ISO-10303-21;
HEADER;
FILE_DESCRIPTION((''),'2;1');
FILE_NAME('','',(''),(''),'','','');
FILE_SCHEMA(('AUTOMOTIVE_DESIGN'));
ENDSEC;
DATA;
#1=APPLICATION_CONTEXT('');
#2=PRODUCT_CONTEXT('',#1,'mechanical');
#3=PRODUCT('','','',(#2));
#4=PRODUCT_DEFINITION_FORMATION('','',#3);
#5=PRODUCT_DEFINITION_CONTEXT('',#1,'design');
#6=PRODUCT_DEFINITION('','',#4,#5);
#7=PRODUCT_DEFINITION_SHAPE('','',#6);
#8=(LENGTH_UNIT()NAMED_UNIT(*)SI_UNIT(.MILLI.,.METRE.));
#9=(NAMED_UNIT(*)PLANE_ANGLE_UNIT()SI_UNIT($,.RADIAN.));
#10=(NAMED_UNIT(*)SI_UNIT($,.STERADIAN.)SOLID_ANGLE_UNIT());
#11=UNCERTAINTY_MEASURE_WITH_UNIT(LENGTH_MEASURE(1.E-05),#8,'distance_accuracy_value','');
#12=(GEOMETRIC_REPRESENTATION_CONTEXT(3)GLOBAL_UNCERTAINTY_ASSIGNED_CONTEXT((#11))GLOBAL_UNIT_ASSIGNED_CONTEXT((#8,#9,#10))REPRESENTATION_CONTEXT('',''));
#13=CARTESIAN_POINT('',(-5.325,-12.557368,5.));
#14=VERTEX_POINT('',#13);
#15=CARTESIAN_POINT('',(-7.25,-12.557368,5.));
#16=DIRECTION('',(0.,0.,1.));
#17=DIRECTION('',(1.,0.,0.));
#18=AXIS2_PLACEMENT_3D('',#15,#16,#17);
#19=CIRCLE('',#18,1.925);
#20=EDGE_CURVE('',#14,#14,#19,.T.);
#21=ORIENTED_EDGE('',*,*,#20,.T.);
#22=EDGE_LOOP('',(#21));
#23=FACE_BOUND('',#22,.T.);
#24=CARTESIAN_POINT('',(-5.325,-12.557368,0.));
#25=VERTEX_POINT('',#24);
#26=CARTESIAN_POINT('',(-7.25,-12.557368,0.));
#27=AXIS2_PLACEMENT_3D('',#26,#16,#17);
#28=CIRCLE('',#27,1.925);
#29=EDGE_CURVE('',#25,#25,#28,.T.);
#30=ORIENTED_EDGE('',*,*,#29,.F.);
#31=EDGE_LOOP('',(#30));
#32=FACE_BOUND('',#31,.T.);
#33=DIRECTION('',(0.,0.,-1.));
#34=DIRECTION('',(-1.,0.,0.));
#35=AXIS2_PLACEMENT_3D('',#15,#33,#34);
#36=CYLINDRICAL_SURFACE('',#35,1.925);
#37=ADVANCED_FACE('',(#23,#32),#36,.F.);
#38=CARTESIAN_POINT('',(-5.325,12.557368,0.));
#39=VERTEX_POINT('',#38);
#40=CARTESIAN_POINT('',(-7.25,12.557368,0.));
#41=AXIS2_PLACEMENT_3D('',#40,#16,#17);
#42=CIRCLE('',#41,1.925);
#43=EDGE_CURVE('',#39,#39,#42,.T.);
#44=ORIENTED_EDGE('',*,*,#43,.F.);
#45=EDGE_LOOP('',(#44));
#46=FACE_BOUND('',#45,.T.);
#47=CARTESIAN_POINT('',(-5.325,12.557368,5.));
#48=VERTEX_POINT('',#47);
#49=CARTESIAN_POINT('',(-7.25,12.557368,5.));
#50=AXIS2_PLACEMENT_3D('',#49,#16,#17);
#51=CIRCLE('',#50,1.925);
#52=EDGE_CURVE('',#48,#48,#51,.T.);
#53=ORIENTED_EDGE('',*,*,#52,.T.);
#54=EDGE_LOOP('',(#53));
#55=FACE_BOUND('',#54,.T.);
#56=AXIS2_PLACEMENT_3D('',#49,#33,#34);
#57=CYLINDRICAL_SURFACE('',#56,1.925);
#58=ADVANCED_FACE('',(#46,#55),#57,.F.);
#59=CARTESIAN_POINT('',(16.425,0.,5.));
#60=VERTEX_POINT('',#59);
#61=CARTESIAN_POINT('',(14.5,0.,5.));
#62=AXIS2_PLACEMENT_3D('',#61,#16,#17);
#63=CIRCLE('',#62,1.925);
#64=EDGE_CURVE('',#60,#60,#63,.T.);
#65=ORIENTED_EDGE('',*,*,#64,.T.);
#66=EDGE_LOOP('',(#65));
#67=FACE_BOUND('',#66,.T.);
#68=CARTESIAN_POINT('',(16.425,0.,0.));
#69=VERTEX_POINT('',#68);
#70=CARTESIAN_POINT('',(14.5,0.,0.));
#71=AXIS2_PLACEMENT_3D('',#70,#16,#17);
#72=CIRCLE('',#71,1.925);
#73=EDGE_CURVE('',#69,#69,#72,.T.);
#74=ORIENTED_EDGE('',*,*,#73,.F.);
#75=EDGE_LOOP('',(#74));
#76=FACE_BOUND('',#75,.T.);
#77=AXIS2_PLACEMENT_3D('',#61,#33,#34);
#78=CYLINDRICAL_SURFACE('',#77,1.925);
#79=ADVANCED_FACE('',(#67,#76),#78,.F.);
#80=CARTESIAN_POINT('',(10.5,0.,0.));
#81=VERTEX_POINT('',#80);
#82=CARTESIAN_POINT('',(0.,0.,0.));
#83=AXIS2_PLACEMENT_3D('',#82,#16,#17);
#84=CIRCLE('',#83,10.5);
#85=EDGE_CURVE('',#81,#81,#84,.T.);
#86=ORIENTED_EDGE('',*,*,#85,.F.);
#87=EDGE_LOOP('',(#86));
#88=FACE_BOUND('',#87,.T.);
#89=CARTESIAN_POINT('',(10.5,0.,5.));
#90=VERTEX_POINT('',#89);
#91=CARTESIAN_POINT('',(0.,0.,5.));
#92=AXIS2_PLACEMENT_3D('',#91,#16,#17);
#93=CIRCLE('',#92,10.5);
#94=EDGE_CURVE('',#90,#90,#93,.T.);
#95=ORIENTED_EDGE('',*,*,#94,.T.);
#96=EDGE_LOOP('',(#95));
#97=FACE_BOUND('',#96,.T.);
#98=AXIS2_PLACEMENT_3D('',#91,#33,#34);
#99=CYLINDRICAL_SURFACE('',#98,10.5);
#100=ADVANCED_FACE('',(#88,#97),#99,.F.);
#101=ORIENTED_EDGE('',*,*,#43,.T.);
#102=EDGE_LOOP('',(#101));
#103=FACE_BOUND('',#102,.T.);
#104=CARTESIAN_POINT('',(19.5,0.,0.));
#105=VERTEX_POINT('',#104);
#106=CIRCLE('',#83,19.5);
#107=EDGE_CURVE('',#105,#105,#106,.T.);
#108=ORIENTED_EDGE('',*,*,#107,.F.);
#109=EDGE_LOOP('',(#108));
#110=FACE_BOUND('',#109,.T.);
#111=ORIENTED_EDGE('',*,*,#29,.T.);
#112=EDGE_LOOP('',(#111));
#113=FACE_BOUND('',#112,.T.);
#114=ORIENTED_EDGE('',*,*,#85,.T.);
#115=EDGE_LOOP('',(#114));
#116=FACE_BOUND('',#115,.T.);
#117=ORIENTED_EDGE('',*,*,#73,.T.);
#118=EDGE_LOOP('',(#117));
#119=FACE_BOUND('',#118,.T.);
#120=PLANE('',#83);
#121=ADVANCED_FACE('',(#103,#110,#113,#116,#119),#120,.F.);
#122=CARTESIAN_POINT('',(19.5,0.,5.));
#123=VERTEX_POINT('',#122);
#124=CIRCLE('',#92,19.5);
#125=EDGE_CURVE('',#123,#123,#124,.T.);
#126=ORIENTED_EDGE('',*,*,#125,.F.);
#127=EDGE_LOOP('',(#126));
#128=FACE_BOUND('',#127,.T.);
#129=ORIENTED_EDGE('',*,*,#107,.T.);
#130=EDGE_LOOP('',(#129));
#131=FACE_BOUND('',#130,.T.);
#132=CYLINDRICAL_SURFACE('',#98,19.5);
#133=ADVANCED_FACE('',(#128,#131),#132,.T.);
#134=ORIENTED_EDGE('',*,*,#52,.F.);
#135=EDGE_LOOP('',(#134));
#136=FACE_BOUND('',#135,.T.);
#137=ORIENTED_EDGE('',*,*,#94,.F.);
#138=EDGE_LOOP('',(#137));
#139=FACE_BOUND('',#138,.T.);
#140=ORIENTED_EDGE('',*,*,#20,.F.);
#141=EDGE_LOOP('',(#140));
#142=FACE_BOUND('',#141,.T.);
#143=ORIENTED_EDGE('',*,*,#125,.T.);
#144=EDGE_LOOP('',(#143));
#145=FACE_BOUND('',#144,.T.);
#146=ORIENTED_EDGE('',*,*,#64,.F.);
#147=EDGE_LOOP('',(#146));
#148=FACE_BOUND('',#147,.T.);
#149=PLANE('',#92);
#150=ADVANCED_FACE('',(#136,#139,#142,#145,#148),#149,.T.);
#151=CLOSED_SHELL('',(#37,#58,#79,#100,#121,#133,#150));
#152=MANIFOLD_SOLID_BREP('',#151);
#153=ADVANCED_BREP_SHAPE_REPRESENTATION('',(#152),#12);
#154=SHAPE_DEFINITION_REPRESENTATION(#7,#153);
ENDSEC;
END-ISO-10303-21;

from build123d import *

# Parameters (mm, degrees)
ESQUISSE1_R        = 19.5
ESQUISSE1_R_2      = 10.5
ESQUISSE1_R_3      = 1.925
BOSS_EXTRU_1_DEPTH = 5


with BuildPart() as part:
    # Esquisse1 → Boss.-Extru.1 (new body)
    with BuildSketch(Plane.XY):
        Circle(ESQUISSE1_R)
        Circle(ESQUISSE1_R_2, mode=Mode.SUBTRACT)
        with Locations((-7.25, -12.557368355)):
            Circle(ESQUISSE1_R_3, mode=Mode.SUBTRACT)
        with Locations((14.5, 0)):
            Circle(ESQUISSE1_R_3, mode=Mode.SUBTRACT)
        with Locations((-7.25, 12.557368355)):
            Circle(ESQUISSE1_R_3, mode=Mode.SUBTRACT)
    extrude(amount=BOSS_EXTRU_1_DEPTH)


solid = part.part
